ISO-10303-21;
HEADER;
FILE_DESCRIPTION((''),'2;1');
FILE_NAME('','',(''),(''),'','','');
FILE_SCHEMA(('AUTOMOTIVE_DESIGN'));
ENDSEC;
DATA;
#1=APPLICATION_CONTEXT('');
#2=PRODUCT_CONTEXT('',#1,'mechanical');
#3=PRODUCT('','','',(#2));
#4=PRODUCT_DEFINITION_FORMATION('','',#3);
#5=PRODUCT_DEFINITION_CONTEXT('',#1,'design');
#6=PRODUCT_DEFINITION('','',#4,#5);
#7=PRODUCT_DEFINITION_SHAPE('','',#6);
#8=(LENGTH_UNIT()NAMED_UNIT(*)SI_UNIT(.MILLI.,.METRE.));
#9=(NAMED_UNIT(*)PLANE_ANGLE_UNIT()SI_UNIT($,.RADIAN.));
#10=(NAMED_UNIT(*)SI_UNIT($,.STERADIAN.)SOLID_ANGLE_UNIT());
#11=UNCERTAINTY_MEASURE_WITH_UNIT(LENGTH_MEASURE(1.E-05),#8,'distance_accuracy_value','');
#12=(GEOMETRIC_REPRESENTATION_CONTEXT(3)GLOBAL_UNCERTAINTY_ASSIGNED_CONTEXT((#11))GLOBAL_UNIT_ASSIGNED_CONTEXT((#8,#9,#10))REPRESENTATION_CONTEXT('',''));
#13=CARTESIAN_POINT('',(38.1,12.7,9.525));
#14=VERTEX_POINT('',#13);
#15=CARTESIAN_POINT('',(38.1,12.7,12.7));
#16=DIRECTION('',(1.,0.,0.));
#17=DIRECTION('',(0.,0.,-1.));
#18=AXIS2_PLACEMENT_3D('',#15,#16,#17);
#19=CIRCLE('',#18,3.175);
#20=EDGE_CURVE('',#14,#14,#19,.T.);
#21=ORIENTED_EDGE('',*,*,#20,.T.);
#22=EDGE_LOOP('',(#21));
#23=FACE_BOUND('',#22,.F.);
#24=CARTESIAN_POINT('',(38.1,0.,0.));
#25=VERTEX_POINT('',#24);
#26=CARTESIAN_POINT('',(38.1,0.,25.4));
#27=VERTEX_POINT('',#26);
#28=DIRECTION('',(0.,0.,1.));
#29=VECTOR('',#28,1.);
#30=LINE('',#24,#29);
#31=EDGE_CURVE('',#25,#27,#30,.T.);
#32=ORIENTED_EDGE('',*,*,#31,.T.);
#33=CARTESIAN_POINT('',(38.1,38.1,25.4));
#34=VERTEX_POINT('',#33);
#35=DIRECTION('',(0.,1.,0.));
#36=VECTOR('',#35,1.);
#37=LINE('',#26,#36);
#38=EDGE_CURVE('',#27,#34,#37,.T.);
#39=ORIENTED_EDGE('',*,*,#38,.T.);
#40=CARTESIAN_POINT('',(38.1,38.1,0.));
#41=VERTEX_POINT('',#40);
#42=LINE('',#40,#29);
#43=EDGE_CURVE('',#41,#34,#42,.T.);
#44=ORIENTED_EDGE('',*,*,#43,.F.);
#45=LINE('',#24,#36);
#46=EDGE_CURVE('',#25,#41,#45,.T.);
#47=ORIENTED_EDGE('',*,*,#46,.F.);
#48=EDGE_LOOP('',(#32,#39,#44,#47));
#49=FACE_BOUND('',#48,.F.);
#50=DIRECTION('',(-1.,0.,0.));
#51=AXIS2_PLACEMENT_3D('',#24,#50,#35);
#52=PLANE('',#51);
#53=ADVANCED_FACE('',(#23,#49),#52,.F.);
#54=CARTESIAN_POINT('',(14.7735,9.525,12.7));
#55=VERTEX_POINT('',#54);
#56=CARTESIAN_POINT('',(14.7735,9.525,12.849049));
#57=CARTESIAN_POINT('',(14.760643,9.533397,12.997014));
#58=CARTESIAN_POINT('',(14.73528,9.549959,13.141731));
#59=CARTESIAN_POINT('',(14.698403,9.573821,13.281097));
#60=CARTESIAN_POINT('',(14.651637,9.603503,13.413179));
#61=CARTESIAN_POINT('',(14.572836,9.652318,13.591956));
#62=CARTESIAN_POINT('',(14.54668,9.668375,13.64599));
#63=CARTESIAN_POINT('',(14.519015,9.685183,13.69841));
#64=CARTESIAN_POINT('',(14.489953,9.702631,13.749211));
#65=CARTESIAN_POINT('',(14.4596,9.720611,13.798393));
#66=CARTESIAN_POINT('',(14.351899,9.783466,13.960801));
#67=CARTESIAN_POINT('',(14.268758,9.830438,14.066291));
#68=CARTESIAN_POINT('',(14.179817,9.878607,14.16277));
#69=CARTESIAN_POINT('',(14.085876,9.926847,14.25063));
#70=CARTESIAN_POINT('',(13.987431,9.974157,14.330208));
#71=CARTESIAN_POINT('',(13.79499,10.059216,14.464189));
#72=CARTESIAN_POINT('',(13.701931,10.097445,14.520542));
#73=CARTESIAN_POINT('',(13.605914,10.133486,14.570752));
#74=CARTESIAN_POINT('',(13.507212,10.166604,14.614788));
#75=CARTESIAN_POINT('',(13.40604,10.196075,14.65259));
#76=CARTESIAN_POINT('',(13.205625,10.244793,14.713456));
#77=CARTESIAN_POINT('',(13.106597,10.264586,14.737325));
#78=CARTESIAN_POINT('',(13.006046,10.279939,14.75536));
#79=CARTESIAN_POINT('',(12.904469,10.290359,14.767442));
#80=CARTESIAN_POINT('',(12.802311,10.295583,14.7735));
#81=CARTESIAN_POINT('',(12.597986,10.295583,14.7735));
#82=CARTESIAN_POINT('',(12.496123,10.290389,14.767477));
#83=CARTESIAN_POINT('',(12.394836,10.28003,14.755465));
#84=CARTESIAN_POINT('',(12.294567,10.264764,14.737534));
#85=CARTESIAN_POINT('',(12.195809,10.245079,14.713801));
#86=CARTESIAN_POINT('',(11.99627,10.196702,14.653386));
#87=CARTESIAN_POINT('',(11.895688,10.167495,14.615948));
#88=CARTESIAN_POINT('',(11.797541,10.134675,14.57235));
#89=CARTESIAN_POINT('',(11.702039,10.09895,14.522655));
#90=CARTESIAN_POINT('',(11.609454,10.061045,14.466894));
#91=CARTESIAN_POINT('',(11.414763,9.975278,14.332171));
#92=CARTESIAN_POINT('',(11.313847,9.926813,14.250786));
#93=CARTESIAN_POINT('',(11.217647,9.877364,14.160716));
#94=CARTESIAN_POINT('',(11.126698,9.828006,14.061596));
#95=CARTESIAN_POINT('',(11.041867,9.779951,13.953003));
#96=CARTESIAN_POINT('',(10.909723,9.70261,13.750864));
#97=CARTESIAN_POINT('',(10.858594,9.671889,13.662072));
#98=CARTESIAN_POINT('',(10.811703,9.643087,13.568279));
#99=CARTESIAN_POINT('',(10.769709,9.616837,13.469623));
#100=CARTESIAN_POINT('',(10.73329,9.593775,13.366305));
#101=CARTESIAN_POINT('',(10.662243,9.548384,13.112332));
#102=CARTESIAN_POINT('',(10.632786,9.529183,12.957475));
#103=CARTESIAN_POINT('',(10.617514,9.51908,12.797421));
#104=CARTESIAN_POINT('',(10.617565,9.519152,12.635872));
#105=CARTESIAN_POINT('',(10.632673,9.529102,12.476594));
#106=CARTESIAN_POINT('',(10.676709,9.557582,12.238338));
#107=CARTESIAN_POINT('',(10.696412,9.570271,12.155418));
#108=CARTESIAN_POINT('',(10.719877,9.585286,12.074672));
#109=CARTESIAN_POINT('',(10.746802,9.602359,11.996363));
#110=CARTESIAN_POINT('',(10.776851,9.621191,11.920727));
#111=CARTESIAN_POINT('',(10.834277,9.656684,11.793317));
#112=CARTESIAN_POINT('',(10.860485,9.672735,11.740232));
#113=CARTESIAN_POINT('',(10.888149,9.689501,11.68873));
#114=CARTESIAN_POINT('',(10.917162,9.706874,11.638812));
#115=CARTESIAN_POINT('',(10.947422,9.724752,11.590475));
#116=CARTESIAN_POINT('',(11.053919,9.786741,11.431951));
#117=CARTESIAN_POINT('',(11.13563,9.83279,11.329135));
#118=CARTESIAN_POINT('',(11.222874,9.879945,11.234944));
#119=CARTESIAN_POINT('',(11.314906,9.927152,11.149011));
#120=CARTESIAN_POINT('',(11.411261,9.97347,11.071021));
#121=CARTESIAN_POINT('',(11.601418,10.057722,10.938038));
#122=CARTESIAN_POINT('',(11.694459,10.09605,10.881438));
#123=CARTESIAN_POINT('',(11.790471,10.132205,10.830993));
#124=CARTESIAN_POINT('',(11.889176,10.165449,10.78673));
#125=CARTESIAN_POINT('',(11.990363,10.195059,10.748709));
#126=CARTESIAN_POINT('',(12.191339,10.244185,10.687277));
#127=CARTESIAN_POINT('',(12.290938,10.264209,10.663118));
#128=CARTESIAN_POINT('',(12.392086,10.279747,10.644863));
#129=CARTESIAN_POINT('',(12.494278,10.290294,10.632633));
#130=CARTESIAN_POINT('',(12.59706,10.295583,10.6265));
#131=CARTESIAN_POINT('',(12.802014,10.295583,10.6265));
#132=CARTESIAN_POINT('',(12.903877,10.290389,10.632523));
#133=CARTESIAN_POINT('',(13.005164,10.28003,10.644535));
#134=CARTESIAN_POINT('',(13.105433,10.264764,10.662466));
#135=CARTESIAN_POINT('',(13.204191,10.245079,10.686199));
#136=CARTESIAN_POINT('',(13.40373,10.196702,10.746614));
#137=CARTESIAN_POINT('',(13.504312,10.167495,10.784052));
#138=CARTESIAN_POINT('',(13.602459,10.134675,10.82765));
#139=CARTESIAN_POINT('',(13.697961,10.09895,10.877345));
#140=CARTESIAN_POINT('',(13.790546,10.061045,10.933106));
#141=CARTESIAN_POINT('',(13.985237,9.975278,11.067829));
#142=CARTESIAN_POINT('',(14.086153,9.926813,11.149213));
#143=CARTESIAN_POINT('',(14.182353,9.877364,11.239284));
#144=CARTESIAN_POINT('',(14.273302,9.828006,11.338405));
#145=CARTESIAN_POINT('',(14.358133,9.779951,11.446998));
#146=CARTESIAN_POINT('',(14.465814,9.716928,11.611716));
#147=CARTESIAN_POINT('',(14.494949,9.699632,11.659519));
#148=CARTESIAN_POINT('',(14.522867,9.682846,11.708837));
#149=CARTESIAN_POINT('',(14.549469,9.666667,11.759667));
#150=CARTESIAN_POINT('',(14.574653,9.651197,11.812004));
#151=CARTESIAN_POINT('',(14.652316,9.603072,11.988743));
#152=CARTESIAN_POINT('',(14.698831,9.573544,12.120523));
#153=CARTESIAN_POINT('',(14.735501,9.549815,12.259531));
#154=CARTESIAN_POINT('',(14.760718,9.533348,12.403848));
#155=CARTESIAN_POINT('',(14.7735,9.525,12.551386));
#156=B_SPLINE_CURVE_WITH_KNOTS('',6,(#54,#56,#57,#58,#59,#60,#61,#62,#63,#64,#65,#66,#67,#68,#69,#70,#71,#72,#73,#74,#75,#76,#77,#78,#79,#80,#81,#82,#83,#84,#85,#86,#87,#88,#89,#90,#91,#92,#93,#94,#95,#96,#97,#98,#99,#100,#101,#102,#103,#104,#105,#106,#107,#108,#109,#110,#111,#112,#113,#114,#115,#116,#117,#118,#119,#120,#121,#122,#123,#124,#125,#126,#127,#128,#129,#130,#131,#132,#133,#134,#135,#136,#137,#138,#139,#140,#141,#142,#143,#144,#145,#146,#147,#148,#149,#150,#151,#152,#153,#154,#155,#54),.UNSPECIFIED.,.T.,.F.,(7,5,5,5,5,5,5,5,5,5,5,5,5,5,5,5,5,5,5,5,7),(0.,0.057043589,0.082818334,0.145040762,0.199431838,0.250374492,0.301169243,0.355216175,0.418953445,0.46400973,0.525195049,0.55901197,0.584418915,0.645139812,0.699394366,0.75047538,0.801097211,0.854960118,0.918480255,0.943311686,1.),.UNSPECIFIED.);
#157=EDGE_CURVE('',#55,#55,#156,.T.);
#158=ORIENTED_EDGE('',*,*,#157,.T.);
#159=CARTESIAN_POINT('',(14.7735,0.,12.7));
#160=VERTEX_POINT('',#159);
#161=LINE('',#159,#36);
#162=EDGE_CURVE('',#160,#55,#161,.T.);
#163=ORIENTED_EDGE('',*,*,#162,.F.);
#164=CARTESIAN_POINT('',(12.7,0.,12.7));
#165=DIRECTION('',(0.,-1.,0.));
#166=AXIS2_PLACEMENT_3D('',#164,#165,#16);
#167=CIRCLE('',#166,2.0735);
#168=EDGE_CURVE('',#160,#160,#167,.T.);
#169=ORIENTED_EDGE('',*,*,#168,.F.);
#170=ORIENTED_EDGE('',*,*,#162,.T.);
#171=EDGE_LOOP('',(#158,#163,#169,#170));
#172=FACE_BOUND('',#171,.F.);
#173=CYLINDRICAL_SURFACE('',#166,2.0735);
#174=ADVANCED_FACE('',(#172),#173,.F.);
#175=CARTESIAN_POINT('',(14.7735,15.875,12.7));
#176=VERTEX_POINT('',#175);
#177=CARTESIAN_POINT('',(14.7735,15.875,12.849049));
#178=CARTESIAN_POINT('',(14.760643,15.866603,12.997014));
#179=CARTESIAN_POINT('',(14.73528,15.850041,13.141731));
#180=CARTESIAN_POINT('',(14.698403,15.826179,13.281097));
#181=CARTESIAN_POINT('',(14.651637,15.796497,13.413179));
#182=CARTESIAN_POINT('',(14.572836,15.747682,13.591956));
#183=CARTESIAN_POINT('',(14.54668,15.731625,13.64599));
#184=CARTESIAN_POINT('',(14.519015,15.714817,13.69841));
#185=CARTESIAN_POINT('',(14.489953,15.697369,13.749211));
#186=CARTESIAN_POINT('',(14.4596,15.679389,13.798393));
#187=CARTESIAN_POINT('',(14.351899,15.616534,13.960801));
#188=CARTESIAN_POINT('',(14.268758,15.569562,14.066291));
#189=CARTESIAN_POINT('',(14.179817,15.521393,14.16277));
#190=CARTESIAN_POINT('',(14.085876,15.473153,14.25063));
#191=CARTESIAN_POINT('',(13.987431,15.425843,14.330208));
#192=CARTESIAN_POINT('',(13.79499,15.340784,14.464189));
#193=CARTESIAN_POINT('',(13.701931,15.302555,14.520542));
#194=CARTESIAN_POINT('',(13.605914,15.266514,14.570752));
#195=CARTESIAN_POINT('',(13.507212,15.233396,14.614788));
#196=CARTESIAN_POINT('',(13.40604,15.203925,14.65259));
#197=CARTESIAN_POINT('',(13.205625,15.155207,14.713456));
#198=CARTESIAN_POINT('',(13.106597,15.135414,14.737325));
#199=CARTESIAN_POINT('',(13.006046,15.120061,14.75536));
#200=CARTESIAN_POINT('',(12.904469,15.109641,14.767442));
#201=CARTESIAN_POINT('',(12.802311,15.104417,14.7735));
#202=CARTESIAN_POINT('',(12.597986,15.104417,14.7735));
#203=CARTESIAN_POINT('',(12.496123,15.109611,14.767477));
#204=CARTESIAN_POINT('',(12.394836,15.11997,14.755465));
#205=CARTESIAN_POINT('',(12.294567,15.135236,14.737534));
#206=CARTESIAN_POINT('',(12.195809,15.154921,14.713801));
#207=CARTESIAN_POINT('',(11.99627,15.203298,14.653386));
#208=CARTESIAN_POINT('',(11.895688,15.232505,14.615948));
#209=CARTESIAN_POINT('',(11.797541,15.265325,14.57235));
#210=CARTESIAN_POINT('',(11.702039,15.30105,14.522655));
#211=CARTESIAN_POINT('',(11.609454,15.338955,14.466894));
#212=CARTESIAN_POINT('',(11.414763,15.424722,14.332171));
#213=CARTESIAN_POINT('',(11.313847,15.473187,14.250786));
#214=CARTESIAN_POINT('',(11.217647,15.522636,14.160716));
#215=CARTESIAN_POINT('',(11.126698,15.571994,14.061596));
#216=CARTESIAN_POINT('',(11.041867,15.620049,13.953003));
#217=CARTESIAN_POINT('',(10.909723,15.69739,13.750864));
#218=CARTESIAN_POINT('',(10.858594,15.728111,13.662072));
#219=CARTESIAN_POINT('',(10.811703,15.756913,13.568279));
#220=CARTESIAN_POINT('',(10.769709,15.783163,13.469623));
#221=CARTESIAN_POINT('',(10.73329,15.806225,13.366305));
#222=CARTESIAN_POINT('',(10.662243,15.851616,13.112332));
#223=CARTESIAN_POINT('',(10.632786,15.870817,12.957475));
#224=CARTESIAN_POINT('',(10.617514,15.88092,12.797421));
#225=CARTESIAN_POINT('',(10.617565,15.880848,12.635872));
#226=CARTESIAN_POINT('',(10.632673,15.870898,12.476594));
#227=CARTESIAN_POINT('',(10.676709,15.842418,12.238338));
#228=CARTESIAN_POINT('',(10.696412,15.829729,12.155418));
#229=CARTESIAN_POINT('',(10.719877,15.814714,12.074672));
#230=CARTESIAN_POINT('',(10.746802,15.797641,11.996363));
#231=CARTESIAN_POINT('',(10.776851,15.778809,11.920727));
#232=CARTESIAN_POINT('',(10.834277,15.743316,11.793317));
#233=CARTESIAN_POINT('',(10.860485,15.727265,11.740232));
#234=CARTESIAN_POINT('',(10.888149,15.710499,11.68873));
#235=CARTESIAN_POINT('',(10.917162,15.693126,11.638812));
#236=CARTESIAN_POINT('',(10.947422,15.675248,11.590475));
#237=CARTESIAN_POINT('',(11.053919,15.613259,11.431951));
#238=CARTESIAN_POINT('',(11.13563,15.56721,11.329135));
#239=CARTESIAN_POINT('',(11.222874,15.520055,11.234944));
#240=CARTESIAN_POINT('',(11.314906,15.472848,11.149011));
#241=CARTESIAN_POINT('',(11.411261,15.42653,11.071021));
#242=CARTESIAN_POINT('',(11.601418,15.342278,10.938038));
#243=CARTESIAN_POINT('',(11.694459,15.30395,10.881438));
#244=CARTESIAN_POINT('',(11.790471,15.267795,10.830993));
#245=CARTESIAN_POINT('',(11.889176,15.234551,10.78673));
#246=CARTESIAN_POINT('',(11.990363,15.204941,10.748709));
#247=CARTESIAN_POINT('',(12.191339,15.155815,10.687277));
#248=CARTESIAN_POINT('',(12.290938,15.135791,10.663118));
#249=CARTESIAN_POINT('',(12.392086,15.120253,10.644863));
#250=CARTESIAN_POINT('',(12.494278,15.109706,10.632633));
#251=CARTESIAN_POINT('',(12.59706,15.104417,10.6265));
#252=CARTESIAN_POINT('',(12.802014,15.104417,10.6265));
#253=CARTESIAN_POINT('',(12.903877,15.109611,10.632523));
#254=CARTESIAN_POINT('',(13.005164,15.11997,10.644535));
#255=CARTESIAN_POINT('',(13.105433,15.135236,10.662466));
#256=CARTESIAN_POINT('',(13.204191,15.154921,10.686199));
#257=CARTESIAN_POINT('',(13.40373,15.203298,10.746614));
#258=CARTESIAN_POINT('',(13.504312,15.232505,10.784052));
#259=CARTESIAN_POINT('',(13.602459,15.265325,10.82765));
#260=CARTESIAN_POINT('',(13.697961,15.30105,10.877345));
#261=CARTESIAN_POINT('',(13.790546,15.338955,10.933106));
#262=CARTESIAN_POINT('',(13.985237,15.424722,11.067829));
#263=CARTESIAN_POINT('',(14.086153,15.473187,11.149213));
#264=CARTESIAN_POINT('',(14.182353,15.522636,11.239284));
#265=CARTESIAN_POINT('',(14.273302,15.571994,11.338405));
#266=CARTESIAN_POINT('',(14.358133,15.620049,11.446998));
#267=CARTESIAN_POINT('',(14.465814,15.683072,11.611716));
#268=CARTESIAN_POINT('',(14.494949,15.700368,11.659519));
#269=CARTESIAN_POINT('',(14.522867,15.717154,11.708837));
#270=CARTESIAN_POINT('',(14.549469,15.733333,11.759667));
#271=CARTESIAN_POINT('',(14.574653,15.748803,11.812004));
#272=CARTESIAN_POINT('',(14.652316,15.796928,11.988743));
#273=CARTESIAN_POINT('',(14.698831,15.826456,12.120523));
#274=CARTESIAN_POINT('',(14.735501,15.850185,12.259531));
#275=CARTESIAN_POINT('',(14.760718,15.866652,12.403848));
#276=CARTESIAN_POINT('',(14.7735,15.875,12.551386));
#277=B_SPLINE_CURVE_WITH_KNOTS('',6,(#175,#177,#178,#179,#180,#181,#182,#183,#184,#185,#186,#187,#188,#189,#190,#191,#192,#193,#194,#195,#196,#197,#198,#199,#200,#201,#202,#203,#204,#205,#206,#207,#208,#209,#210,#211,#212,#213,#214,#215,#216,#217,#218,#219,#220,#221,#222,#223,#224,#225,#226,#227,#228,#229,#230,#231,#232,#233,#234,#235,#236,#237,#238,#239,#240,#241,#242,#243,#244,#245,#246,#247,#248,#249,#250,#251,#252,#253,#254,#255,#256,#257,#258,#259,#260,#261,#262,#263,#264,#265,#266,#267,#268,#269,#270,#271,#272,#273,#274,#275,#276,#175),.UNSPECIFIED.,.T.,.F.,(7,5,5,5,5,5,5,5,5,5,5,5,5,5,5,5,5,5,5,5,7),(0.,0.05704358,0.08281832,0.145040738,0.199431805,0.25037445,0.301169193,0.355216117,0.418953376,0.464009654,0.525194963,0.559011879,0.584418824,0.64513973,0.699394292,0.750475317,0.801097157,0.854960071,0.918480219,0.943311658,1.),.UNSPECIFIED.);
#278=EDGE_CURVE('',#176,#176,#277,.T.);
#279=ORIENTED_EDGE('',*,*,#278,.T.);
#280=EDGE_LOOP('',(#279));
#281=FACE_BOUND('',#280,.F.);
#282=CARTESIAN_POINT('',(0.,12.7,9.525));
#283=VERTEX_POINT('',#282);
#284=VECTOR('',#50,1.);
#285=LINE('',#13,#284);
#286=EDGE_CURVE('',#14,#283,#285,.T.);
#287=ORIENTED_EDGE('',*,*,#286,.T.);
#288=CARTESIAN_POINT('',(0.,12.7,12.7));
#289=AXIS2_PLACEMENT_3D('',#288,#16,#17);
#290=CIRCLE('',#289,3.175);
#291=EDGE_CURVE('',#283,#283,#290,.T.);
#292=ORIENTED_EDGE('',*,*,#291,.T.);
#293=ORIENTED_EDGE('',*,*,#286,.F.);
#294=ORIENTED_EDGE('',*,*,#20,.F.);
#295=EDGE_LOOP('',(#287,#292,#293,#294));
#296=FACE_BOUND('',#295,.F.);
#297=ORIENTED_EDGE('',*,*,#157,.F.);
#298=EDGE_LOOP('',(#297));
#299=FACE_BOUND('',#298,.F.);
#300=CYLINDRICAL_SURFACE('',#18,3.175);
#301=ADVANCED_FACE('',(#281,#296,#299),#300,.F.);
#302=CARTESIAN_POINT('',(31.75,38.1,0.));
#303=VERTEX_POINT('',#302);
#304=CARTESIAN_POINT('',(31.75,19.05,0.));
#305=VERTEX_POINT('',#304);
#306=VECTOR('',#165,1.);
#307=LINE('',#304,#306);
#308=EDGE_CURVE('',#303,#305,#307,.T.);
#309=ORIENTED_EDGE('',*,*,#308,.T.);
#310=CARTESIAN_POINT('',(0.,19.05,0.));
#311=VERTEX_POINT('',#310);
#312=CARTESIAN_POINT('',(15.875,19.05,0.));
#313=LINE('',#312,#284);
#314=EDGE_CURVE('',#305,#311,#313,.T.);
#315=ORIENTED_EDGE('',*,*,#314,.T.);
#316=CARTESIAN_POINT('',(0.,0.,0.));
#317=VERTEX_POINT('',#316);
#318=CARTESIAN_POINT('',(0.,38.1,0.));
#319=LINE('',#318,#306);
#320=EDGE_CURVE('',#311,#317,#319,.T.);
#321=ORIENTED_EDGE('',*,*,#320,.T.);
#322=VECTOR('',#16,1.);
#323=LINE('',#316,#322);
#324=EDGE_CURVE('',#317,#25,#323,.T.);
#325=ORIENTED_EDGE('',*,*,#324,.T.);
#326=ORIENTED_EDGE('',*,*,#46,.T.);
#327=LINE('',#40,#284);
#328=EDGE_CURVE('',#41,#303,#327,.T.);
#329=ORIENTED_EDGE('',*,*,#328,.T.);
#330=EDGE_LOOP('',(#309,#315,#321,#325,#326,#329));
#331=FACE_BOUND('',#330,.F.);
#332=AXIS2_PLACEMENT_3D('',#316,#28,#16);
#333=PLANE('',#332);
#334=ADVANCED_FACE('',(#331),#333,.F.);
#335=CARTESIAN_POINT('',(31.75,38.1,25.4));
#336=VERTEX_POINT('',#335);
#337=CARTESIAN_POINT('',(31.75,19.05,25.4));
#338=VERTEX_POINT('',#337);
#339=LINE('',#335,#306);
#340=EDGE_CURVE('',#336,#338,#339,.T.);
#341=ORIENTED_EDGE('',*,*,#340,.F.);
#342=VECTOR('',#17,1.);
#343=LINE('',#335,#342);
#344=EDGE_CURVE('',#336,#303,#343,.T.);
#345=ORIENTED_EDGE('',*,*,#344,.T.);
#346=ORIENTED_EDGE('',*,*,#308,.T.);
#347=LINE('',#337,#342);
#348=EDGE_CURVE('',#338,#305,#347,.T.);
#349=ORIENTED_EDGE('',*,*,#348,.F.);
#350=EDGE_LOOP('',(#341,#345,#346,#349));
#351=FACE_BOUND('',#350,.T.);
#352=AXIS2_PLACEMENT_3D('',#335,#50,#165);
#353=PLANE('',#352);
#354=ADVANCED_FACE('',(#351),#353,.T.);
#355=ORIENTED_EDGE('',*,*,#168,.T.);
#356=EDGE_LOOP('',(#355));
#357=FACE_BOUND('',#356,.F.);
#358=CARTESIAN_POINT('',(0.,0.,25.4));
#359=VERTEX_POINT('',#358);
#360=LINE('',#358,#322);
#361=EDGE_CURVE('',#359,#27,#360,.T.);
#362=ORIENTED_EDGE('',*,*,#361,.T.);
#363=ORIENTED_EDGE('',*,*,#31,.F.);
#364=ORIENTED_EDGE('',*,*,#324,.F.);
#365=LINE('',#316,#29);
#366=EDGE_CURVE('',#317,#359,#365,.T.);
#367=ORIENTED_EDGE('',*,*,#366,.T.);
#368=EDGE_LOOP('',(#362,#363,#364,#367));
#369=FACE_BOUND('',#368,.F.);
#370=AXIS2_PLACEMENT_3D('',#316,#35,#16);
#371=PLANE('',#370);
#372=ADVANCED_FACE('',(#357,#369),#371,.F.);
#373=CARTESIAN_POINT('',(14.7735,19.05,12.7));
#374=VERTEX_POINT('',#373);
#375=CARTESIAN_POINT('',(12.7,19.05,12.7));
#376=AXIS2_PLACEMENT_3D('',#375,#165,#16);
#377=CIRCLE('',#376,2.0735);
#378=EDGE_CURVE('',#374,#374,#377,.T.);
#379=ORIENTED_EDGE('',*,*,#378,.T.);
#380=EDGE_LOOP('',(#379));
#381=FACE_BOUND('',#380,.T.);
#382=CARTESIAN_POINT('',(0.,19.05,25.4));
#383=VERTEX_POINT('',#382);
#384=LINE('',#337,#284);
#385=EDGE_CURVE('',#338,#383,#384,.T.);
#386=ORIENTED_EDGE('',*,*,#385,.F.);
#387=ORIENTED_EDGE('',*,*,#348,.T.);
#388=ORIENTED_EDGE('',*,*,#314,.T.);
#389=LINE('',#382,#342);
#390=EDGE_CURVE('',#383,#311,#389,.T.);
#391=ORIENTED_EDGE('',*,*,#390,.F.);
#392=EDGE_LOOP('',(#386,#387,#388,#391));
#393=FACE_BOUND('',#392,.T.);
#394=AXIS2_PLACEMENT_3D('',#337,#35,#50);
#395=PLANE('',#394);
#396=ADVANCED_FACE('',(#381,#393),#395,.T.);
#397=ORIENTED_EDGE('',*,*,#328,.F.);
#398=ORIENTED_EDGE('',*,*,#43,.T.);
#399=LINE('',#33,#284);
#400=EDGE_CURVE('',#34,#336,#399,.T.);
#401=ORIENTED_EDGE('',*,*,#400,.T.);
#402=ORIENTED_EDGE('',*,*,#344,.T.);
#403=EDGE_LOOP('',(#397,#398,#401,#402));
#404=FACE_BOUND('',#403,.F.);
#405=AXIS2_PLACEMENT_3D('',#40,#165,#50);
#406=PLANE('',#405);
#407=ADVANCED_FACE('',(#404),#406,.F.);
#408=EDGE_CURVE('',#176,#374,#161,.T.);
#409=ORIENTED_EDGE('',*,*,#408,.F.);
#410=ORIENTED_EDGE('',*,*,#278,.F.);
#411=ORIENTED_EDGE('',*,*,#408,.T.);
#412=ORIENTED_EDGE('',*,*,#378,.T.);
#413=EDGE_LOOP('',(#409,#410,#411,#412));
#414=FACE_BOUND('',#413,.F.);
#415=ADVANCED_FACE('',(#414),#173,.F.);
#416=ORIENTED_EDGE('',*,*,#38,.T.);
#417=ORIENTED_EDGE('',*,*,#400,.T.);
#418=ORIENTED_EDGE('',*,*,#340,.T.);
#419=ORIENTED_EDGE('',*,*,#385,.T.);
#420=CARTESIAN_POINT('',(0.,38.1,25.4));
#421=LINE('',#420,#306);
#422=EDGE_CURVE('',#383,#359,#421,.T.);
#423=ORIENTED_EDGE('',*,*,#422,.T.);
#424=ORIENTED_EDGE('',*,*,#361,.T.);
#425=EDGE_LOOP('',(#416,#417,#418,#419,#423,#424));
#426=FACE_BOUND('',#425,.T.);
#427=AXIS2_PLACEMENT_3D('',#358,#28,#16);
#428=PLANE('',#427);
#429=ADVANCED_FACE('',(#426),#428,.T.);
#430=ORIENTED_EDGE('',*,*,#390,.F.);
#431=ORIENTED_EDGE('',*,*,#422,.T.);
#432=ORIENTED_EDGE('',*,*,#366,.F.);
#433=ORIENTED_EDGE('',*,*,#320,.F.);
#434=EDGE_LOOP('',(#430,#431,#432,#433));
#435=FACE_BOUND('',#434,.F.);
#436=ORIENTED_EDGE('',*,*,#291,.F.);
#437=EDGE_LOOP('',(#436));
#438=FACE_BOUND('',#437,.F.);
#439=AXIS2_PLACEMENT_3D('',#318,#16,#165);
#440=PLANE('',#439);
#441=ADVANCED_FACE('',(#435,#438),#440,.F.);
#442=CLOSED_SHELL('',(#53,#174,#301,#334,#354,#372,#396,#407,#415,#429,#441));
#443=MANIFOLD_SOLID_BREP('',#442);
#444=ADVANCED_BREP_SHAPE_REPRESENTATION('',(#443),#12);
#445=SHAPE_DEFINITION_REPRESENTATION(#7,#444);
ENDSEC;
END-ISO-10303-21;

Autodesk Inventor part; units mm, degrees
ref_plane "YZ Plane" through (0, 0, 0) normal (1, 0, 0) x (0, 1, 0)
ref_plane "XZ Plane" through (0, 0, 0) normal (0, 1, 0) x (-1, 0, 0)
ref_plane "XY Plane" through (0, 0, 0) normal (0, 0, 1) x (1, 0, 0)
sketch "Sketch1" plane through (0, 0, 0) normal (0, 0, 1) x (1, 0, 0)
  line L0 (0, 0) -> (38.1, 0)
  line L1 (38.1, 0) -> (38.1, 38.1)
  line L2 (38.1, 38.1) -> (0, 38.1)
  line L3 (0, 38.1) -> (0, 0)
  dimension "d0" = 38.1
  dimension "d1" = 38.1
extrude "Extrusion1" add sketch "Sketch1" along normal blind 25.4
sketch "Sketch2" plane through (38.1, 0, 0) normal (1, 0, 0) x (0, 0, -1)
  line L0 (0, 0) -> (0, 38.1) projected
  circle A0 centre (-12.7, 12.7) radius 3.175
  line L1 (0, 0) -> (-25.4, 0) projected
  dimension "d5" = 12.7
  dimension "d6" = 6.35
  dimension "d18" = 12.7
extrude "Extrusion2" cut sketch "Sketch2" against normal through all
sketch "Sketch3" plane through (0, 0, 25.4) normal (0, 0, 1) x (1, 0, 0)
  line L0 (38.1, 38.1) -> (38.1, 0) projected
  line L1 (0, 38.1) -> (38.1, 38.1) projected
  line L2 (0, 38.1) -> (31.75, 38.1)
  line L3 (31.75, 38.1) -> (31.75, 19.05)
  line L4 (31.75, 19.05) -> (0, 19.05)
  line L5 (0, 19.05) -> (0, 38.1)
  dimension "d10" = 19.05
  dimension "d19" = 6.35
extrude "Extrusion3" cut sketch "Sketch3" against normal through all
sketch "Sketch5" plane through (0, 0, 0) normal (0, -1, 0) x (1, 0, 0)
  line L0 (38.1, 25.4) -> (0, 25.4) projected
  line L1 (0, 0) -> (0, 25.4) projected
  circle A0 centre (12.7, 12.7) radius 2.0735
  dimension "d20" = 12.7
  dimension "d21" = 12.7
extrude "Extrusion5" cut sketch "Sketch5" against normal through all
properties part number "ArmPivotBlock"
